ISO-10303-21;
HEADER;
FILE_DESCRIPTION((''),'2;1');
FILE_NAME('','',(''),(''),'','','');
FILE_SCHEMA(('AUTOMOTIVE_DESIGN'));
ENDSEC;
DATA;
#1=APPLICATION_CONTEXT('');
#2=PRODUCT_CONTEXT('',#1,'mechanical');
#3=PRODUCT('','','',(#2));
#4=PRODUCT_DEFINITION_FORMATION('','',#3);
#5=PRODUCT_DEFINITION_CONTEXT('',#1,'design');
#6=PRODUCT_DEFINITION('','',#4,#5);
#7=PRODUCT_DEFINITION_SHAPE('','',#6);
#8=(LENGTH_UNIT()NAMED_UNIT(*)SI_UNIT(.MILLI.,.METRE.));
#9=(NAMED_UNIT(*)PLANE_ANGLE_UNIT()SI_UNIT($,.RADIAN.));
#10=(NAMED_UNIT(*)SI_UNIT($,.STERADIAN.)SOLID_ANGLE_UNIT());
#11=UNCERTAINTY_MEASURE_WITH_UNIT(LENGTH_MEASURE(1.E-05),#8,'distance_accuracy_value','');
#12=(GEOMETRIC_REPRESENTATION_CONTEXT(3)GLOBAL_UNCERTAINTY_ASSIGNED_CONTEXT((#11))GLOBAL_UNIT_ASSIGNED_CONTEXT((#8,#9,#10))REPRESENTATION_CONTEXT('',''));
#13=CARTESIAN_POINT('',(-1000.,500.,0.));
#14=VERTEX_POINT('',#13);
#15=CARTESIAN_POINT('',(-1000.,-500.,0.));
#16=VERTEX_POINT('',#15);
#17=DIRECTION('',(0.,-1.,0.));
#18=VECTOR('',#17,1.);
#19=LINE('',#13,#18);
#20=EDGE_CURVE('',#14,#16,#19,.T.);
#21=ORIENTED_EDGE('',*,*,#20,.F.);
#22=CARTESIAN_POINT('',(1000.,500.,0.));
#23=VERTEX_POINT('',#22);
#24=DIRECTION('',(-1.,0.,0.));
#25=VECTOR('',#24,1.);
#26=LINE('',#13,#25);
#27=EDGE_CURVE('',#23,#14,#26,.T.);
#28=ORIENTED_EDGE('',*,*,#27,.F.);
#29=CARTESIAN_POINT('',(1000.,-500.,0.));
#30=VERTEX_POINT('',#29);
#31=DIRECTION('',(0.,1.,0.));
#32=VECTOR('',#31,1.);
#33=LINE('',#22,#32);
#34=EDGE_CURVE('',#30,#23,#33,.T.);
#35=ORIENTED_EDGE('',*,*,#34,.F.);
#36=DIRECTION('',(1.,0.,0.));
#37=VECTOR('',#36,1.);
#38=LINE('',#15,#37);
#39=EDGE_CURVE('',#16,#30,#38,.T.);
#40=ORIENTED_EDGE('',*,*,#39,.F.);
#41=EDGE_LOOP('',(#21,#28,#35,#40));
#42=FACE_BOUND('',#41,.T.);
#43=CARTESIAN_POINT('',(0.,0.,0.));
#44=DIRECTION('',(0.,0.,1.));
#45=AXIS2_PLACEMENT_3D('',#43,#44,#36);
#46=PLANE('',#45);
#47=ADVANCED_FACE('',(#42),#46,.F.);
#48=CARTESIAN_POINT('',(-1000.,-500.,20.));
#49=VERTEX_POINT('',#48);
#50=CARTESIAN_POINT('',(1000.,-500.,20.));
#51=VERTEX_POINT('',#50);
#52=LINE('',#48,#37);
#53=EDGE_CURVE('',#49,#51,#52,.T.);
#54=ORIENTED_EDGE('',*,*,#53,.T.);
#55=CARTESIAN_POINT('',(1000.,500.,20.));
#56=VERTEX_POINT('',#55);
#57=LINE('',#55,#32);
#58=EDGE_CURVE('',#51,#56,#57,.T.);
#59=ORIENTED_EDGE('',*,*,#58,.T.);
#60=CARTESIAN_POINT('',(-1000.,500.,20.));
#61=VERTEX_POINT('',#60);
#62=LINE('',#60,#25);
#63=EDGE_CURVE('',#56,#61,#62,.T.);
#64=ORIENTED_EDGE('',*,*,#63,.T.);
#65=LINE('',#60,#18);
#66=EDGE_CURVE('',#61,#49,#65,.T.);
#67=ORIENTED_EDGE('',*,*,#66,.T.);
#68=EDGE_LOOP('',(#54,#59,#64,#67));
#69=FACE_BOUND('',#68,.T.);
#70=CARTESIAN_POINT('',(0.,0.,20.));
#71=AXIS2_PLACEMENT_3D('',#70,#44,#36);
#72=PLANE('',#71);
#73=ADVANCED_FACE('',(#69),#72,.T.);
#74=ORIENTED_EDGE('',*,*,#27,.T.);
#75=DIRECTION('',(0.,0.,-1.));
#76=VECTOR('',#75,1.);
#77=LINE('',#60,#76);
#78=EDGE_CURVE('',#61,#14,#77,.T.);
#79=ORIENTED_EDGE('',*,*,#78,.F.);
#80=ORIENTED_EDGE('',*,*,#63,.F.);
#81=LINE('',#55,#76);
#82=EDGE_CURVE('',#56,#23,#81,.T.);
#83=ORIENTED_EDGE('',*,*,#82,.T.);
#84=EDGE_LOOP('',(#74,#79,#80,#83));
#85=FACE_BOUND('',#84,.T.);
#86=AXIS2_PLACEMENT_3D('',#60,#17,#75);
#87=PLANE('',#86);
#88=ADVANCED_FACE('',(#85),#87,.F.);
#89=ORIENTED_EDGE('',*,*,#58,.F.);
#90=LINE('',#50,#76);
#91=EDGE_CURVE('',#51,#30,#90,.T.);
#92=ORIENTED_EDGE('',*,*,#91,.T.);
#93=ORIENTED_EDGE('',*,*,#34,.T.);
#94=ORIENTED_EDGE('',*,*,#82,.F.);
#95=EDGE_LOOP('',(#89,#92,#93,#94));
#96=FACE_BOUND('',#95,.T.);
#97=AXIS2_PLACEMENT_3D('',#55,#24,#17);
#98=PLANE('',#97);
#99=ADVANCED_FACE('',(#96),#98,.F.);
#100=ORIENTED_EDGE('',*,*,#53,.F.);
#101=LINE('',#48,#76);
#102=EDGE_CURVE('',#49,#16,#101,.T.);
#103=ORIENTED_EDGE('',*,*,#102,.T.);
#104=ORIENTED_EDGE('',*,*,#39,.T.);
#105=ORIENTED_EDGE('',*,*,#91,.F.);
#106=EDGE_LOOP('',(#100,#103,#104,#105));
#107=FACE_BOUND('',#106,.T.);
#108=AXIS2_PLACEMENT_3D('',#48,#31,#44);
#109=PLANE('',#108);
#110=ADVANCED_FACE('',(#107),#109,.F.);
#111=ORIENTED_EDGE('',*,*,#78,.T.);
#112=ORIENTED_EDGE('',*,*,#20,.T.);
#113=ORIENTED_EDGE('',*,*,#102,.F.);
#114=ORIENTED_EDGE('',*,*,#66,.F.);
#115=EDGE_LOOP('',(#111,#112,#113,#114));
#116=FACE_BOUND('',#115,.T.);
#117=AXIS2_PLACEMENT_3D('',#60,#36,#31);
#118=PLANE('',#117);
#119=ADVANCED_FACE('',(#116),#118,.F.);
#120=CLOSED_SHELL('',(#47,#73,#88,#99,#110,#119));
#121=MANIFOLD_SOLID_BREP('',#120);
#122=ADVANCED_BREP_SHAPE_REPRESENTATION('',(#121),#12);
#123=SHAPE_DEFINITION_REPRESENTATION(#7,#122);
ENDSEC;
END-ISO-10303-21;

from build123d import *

# Parameters (mm, degrees)
SKETCH_1_W      = 2000
SKETCH_1_H      = 1000
EXTRUDE_1_DEPTH = 20


with BuildPart() as part:
    # 草图1 → 凸台-拉伸1 (new body)
    with BuildSketch(Plane.XY):
        Rectangle(SKETCH_1_W, SKETCH_1_H)
    extrude(amount=EXTRUDE_1_DEPTH)


solid = part.part
